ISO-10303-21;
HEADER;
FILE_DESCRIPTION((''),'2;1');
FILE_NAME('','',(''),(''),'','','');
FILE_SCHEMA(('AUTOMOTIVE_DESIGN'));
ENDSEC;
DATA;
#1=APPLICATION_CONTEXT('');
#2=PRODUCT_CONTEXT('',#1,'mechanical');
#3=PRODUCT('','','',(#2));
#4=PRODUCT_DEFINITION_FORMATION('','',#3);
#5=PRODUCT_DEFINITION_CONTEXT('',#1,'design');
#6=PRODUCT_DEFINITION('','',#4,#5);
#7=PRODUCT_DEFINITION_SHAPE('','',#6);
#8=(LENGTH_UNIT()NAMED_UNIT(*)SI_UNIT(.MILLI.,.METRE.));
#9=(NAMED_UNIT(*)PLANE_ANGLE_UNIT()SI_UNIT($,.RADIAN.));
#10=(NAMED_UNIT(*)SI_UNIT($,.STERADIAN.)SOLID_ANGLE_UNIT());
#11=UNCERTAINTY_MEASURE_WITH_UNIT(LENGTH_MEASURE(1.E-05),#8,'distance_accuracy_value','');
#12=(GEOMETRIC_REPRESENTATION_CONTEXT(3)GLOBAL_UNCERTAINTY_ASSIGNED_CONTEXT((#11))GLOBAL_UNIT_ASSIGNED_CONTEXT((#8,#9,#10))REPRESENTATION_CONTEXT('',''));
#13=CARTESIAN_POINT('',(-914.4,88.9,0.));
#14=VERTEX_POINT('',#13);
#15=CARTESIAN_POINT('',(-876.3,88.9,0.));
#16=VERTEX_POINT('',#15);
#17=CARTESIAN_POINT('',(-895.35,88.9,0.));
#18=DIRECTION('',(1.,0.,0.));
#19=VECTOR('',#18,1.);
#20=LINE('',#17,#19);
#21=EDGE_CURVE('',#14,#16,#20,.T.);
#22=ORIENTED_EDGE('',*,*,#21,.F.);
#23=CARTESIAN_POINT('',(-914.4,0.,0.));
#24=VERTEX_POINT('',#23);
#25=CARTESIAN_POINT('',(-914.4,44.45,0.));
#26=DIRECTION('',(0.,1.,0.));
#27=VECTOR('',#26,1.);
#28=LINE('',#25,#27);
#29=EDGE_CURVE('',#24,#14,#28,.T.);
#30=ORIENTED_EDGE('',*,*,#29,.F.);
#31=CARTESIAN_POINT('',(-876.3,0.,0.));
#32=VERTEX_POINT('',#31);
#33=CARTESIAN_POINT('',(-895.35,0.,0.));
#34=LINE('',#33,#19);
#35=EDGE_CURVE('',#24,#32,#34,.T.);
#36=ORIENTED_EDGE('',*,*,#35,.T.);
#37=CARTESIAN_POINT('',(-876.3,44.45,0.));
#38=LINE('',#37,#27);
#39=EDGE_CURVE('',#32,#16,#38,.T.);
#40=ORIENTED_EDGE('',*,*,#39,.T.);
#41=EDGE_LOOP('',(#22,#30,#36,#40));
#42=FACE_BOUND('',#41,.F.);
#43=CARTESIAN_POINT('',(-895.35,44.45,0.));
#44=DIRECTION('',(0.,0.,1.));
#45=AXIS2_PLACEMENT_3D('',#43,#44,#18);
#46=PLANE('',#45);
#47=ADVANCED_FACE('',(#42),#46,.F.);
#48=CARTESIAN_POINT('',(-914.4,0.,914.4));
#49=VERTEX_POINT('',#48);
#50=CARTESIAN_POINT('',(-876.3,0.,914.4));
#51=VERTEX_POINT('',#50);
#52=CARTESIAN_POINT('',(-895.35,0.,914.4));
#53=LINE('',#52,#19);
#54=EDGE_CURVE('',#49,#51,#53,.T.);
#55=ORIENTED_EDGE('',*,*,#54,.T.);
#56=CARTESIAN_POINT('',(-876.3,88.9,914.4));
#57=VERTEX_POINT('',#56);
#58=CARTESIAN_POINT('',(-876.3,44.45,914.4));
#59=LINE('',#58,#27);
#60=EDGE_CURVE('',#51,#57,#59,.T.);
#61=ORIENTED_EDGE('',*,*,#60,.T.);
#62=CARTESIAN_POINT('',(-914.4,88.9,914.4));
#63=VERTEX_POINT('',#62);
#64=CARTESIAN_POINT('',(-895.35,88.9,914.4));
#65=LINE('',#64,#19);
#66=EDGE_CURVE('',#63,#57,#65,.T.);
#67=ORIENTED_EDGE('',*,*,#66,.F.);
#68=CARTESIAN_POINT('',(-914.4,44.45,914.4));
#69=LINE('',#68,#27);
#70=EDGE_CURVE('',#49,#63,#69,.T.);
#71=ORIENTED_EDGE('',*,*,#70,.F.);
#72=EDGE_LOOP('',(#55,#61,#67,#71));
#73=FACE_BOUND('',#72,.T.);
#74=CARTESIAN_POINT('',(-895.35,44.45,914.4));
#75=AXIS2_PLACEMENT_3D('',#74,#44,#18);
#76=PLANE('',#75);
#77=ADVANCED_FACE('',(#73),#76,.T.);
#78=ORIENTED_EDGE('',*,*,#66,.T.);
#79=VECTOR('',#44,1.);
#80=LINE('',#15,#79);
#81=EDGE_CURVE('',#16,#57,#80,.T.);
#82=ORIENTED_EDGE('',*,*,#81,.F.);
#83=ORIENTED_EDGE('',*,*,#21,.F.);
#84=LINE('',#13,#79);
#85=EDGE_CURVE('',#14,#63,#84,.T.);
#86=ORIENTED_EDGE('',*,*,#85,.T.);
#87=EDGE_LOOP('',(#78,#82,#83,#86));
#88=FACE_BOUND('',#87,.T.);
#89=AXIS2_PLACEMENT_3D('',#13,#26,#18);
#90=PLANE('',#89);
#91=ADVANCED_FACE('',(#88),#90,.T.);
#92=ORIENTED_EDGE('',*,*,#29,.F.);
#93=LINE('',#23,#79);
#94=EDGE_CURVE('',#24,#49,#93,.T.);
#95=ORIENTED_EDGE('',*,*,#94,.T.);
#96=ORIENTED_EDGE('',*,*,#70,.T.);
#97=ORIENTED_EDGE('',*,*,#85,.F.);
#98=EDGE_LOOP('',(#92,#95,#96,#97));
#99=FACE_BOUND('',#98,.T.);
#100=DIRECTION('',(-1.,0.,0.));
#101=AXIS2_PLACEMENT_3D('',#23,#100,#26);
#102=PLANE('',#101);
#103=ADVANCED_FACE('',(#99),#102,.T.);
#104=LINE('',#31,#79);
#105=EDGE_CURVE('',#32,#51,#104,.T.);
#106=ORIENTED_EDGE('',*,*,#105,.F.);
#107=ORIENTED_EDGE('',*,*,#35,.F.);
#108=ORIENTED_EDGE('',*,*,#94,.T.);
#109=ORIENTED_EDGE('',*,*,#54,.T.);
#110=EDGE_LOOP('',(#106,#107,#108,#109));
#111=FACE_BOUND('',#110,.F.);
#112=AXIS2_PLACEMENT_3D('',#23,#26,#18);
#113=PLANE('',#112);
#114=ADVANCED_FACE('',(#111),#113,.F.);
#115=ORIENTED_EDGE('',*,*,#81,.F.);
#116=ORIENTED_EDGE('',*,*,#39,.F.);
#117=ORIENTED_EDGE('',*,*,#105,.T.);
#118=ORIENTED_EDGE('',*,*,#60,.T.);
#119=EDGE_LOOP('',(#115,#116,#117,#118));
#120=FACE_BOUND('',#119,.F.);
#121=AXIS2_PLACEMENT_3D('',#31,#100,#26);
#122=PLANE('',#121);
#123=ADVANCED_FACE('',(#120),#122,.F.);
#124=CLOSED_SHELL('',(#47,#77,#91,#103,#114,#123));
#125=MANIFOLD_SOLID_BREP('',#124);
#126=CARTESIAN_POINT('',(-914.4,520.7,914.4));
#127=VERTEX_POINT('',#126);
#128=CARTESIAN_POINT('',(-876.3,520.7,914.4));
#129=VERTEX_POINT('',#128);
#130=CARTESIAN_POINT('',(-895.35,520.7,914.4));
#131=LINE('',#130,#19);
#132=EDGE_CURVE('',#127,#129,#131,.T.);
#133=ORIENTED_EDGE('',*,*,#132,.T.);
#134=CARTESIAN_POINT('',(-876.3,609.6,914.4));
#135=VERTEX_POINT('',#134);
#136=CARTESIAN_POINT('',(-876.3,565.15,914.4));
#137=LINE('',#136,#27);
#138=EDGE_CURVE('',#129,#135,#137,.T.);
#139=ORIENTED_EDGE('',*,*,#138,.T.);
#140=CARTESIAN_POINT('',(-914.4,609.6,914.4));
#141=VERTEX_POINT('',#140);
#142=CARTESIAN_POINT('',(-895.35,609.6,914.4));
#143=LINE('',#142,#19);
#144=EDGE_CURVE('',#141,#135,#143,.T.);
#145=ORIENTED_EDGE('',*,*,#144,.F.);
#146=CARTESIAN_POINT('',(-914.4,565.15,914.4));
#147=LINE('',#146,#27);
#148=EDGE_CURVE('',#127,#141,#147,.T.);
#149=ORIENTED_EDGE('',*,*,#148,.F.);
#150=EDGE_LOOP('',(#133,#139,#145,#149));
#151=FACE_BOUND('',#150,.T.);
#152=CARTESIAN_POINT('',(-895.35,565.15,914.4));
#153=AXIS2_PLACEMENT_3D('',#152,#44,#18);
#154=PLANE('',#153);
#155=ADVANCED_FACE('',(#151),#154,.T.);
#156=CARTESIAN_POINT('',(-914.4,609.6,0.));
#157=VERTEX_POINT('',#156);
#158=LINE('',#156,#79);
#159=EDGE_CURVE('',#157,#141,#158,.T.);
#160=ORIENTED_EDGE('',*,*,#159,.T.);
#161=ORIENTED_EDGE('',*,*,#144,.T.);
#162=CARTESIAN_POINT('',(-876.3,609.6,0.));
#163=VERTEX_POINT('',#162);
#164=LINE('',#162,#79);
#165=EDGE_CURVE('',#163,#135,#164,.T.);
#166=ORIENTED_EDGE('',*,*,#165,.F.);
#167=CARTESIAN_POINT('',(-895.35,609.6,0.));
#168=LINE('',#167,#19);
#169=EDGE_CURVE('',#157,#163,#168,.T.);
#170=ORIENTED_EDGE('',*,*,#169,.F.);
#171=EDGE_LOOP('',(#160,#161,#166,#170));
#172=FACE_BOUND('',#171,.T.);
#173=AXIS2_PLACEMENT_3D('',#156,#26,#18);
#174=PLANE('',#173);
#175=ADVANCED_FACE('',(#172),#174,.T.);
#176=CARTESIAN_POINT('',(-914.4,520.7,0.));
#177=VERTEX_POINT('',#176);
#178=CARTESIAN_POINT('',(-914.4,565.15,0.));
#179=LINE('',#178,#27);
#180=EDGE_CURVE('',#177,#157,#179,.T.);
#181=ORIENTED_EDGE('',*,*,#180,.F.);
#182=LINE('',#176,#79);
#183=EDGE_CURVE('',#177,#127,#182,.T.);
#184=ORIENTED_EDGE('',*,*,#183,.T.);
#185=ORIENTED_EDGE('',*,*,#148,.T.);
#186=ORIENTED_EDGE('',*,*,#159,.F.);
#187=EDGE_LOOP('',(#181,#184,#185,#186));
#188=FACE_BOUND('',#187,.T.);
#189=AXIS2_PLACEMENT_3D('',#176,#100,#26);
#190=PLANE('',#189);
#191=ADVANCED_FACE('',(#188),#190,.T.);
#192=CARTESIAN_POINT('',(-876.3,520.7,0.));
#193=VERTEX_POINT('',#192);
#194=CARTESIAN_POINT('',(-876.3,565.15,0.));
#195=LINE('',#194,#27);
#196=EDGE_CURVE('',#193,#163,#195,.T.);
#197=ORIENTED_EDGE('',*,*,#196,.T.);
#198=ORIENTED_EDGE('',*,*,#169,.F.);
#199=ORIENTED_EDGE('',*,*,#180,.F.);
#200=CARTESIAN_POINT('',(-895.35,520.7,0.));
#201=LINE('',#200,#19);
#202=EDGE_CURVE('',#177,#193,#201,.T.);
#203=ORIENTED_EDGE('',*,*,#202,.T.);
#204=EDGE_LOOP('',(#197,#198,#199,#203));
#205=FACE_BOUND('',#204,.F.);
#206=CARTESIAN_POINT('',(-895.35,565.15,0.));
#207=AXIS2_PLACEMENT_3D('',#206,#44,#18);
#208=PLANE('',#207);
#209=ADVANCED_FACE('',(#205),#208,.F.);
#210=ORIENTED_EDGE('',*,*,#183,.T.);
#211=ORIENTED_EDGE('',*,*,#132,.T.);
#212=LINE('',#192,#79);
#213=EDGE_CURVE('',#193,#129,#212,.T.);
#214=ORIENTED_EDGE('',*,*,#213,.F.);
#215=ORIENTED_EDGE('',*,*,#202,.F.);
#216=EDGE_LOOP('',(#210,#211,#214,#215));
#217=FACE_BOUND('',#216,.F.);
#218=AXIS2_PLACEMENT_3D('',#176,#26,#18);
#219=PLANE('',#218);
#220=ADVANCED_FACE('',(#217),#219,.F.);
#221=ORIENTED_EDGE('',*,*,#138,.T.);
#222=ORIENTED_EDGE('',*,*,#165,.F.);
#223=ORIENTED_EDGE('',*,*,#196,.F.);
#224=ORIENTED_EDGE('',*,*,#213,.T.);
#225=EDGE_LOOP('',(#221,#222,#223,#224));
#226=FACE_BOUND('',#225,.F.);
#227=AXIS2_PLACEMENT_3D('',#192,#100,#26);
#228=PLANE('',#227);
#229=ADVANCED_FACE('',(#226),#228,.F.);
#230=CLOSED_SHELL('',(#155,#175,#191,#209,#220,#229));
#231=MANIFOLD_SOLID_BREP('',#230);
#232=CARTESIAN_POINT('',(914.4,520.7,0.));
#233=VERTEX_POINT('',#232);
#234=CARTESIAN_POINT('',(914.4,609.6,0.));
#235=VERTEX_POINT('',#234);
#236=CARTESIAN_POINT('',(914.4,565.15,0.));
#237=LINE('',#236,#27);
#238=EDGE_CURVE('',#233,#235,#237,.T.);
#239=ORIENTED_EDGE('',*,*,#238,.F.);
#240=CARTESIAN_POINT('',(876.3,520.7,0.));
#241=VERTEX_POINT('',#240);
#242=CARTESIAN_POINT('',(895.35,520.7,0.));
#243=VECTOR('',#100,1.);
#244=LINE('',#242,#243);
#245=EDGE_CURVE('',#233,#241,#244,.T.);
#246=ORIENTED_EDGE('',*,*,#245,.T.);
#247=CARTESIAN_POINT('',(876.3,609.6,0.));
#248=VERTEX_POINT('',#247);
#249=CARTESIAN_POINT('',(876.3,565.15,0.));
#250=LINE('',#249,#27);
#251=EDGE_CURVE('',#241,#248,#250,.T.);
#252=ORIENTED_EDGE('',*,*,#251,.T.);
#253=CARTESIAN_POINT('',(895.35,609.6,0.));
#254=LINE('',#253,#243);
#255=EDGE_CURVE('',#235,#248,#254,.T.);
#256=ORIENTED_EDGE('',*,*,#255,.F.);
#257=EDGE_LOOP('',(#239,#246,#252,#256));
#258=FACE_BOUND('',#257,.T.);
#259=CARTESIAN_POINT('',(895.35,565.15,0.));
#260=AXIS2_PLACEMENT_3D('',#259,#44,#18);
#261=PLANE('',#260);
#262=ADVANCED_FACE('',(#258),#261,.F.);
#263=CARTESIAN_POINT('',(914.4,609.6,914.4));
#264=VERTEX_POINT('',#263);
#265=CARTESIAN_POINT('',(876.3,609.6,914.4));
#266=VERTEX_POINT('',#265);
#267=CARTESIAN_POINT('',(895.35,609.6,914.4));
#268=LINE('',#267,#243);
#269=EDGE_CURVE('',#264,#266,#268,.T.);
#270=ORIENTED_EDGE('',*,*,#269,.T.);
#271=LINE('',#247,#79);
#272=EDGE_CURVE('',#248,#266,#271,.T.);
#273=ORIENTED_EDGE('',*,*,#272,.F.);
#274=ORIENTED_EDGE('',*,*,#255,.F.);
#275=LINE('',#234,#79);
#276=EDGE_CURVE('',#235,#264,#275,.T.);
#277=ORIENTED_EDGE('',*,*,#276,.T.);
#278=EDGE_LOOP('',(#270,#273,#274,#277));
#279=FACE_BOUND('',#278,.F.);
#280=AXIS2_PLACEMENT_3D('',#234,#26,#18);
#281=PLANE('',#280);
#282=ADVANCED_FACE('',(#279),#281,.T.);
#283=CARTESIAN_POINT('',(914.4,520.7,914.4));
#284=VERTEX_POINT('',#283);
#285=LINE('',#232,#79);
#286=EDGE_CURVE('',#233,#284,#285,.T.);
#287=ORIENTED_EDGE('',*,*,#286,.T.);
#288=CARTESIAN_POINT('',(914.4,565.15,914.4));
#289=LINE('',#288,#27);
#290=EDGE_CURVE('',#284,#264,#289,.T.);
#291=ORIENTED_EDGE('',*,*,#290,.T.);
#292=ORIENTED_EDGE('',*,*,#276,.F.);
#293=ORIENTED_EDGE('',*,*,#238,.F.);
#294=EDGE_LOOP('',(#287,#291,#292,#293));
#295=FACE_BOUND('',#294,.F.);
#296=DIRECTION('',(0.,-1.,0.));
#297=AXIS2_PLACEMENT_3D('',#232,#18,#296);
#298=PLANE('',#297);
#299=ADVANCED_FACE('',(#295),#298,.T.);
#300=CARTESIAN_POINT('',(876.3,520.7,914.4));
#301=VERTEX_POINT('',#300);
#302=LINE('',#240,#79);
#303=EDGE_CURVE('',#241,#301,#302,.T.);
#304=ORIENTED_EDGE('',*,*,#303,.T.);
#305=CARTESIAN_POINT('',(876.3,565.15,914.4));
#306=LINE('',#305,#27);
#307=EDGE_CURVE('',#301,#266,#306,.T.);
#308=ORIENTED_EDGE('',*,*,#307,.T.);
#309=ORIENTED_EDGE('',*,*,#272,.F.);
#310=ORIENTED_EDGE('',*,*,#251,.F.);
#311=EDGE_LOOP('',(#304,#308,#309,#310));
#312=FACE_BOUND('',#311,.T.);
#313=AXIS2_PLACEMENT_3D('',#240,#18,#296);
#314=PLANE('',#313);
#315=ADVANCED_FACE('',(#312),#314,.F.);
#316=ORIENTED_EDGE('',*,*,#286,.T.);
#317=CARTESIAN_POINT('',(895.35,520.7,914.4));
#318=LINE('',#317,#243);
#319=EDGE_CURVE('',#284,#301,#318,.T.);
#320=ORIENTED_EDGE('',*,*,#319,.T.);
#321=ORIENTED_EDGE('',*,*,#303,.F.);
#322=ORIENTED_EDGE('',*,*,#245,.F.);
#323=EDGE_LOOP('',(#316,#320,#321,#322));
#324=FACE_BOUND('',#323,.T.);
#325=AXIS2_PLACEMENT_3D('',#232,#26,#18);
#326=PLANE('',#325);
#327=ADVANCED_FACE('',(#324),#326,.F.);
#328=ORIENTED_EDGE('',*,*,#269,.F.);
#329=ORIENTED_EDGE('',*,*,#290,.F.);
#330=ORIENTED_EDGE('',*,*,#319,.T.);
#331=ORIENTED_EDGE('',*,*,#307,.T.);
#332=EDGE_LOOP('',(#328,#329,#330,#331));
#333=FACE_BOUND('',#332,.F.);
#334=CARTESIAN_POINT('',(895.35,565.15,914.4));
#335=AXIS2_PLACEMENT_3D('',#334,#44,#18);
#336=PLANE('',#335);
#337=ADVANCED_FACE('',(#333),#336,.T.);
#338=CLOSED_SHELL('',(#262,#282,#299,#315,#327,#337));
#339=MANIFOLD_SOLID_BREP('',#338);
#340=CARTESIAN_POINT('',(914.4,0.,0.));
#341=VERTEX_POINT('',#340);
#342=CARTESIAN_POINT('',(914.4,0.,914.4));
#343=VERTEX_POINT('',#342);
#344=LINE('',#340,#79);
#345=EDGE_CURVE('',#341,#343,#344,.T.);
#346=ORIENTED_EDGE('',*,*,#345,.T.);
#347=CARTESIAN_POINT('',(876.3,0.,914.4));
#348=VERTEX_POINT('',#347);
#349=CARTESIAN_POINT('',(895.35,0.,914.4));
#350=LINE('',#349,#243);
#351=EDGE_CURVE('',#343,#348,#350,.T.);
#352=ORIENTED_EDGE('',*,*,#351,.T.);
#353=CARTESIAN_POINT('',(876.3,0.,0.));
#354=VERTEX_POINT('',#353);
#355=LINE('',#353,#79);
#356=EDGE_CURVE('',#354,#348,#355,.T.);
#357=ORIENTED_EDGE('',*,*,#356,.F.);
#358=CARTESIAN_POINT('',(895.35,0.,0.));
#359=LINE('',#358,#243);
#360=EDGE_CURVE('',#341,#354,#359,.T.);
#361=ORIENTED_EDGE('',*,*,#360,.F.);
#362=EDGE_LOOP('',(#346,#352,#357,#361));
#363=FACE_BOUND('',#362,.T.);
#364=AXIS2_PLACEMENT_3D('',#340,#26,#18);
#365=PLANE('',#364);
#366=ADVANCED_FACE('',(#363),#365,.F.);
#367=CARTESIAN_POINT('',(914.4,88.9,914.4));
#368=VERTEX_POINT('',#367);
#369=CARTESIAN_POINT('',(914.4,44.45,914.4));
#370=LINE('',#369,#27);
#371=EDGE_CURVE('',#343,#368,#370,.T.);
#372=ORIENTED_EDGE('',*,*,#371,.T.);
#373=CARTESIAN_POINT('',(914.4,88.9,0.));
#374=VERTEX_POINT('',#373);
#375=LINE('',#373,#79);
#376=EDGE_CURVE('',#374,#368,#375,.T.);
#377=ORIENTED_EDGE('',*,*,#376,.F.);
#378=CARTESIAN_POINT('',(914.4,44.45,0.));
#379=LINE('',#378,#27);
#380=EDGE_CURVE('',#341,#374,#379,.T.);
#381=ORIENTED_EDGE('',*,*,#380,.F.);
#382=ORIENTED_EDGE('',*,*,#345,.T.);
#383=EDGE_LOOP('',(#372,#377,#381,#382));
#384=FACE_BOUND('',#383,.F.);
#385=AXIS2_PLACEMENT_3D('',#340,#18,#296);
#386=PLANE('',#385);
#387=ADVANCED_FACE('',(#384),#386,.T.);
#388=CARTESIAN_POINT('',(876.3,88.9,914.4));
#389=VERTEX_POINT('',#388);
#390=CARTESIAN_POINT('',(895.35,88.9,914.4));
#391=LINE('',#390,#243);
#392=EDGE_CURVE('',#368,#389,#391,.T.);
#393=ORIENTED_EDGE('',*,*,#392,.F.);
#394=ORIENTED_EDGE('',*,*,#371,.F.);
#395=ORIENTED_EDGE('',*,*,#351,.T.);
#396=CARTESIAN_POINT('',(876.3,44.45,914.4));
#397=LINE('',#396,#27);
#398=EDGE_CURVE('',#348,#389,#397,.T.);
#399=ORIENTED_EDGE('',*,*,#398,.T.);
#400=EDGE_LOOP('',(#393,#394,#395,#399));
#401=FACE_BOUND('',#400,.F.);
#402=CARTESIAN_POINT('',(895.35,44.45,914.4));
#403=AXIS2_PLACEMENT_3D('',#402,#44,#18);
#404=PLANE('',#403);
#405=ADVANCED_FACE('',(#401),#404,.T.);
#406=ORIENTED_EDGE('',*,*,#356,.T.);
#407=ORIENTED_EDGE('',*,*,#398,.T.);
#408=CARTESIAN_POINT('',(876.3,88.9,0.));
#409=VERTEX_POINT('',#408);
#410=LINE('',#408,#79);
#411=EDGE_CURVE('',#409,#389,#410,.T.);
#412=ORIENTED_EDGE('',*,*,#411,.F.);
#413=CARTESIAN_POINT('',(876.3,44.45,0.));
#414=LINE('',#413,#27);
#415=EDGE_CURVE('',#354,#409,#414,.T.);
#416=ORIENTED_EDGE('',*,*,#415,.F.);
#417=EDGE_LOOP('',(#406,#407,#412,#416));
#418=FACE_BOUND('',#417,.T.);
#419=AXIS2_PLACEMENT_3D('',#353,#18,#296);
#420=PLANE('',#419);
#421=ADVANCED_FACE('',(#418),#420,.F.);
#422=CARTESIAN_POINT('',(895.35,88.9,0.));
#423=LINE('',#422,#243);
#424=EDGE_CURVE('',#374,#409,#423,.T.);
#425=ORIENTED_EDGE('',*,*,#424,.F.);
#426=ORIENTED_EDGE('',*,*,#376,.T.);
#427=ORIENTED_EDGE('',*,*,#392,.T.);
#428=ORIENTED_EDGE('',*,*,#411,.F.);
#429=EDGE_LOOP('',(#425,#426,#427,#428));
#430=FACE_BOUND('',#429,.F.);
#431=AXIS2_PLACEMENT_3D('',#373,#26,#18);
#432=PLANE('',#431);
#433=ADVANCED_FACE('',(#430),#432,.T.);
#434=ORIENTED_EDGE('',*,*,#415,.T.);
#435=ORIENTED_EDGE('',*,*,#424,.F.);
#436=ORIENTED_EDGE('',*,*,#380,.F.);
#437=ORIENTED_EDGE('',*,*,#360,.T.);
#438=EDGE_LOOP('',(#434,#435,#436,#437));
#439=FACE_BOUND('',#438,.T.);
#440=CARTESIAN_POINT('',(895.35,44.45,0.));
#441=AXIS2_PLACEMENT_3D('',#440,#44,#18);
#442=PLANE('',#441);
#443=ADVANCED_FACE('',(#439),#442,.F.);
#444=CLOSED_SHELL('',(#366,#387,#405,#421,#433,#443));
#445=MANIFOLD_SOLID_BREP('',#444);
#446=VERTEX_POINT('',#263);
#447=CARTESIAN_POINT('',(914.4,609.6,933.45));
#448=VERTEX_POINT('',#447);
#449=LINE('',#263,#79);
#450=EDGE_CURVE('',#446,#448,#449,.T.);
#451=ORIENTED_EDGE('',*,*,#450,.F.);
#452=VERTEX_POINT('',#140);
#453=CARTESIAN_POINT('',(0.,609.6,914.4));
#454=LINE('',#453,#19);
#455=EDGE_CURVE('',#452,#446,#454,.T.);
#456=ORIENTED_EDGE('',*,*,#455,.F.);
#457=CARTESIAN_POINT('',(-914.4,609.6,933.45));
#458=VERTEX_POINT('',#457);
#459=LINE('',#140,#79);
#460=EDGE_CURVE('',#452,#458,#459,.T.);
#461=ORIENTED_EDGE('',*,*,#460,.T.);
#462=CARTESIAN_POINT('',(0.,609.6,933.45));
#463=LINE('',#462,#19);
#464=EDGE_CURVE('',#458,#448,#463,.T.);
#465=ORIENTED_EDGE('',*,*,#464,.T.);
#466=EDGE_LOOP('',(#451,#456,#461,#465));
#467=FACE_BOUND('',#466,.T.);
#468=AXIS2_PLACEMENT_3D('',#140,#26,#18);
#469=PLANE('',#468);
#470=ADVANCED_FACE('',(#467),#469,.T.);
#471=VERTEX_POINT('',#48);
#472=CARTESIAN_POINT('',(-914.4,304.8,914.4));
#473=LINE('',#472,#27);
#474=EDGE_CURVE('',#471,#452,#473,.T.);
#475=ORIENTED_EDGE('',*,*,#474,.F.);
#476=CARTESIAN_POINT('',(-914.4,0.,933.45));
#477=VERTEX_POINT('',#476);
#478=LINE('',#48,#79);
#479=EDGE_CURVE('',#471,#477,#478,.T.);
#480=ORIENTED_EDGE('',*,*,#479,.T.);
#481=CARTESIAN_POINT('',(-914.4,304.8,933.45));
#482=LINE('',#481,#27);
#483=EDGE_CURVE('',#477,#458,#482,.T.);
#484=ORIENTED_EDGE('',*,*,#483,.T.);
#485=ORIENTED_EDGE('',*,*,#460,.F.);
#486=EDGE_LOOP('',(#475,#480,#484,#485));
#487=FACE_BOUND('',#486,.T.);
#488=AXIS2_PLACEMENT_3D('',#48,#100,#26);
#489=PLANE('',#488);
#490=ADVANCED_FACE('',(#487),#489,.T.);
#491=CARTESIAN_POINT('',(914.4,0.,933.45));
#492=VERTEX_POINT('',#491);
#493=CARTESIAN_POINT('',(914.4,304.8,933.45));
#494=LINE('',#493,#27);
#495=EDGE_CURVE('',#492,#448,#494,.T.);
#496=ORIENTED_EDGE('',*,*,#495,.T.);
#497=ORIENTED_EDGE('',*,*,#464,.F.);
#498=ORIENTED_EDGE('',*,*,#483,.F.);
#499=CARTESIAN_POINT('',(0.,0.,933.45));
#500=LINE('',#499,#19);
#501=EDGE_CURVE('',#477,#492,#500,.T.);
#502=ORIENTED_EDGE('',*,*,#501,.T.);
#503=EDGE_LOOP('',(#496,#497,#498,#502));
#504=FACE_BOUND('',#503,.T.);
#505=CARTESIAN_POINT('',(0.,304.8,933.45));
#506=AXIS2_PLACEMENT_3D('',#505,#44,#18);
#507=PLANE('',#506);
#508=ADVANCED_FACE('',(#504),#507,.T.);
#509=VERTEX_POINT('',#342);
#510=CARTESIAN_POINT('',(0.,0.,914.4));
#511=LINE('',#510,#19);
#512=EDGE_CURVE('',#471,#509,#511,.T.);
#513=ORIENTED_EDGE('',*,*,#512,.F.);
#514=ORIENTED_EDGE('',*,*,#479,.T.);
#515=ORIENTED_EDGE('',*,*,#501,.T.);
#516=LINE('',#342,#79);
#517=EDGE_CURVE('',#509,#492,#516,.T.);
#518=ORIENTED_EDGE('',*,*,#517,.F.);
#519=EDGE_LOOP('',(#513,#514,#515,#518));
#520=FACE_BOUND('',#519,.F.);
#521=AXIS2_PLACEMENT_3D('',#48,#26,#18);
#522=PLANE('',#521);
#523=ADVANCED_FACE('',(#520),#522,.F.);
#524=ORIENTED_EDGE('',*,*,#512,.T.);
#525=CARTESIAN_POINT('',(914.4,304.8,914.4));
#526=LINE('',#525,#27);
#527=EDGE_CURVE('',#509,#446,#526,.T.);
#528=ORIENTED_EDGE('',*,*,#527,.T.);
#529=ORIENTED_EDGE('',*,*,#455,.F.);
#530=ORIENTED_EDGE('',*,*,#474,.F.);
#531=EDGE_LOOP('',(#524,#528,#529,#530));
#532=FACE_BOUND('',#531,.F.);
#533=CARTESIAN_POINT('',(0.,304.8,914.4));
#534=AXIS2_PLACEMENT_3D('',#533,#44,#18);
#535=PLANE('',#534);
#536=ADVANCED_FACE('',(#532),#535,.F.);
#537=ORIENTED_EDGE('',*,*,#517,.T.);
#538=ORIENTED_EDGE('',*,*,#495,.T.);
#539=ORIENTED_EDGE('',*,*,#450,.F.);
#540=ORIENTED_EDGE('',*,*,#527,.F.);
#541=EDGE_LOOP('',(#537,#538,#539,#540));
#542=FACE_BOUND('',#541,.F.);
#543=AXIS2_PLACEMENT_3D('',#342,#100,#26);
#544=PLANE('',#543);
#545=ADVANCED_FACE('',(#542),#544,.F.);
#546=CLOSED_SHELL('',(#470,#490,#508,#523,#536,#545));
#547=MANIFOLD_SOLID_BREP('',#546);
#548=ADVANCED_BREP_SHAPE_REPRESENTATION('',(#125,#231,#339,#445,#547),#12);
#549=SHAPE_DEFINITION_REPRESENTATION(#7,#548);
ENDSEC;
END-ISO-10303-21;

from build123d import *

# Parameters (mm, degrees)
F0_W     = 38.1
F0_H     = 88.9
F1_DEPTH = 914.4
F4_W     = 1828.8
F4_H     = 609.6
F5_DEPTH = 19.05


with BuildPart() as f1:
    # F0 (on Top) → F1 (new body)
    with BuildSketch(Plane.XY):
        with Locations((-895.35, 565.15)):
            Rectangle(F0_W, F0_H)
    extrude(amount=F1_DEPTH)


with BuildPart() as f1b:
    # F0 (on Top) → F1, piece 2 (new body)
    with BuildSketch(Plane.XY):
        with Locations((-895.35, 44.45)):
            Rectangle(F0_W, F0_H)
    extrude(amount=F1_DEPTH)


with BuildPart() as f2_1:
    # F2: instance of F1b
    add(f1b.part.mirror(Plane.YZ))


with BuildPart() as f2_2:
    # F2: instance of F1
    add(f1.part.mirror(Plane.YZ))


with BuildPart() as f5:
    # F4 (on plane+point) → F5 (new body)
    with BuildSketch(Plane.XY.offset(914.4)):
        with Locations((0, 304.8)):
            Rectangle(F4_W, F4_H)
    extrude(amount=F5_DEPTH)


solid = Compound([f1.part, f1b.part, f2_1.part, f2_2.part, f5.part])
